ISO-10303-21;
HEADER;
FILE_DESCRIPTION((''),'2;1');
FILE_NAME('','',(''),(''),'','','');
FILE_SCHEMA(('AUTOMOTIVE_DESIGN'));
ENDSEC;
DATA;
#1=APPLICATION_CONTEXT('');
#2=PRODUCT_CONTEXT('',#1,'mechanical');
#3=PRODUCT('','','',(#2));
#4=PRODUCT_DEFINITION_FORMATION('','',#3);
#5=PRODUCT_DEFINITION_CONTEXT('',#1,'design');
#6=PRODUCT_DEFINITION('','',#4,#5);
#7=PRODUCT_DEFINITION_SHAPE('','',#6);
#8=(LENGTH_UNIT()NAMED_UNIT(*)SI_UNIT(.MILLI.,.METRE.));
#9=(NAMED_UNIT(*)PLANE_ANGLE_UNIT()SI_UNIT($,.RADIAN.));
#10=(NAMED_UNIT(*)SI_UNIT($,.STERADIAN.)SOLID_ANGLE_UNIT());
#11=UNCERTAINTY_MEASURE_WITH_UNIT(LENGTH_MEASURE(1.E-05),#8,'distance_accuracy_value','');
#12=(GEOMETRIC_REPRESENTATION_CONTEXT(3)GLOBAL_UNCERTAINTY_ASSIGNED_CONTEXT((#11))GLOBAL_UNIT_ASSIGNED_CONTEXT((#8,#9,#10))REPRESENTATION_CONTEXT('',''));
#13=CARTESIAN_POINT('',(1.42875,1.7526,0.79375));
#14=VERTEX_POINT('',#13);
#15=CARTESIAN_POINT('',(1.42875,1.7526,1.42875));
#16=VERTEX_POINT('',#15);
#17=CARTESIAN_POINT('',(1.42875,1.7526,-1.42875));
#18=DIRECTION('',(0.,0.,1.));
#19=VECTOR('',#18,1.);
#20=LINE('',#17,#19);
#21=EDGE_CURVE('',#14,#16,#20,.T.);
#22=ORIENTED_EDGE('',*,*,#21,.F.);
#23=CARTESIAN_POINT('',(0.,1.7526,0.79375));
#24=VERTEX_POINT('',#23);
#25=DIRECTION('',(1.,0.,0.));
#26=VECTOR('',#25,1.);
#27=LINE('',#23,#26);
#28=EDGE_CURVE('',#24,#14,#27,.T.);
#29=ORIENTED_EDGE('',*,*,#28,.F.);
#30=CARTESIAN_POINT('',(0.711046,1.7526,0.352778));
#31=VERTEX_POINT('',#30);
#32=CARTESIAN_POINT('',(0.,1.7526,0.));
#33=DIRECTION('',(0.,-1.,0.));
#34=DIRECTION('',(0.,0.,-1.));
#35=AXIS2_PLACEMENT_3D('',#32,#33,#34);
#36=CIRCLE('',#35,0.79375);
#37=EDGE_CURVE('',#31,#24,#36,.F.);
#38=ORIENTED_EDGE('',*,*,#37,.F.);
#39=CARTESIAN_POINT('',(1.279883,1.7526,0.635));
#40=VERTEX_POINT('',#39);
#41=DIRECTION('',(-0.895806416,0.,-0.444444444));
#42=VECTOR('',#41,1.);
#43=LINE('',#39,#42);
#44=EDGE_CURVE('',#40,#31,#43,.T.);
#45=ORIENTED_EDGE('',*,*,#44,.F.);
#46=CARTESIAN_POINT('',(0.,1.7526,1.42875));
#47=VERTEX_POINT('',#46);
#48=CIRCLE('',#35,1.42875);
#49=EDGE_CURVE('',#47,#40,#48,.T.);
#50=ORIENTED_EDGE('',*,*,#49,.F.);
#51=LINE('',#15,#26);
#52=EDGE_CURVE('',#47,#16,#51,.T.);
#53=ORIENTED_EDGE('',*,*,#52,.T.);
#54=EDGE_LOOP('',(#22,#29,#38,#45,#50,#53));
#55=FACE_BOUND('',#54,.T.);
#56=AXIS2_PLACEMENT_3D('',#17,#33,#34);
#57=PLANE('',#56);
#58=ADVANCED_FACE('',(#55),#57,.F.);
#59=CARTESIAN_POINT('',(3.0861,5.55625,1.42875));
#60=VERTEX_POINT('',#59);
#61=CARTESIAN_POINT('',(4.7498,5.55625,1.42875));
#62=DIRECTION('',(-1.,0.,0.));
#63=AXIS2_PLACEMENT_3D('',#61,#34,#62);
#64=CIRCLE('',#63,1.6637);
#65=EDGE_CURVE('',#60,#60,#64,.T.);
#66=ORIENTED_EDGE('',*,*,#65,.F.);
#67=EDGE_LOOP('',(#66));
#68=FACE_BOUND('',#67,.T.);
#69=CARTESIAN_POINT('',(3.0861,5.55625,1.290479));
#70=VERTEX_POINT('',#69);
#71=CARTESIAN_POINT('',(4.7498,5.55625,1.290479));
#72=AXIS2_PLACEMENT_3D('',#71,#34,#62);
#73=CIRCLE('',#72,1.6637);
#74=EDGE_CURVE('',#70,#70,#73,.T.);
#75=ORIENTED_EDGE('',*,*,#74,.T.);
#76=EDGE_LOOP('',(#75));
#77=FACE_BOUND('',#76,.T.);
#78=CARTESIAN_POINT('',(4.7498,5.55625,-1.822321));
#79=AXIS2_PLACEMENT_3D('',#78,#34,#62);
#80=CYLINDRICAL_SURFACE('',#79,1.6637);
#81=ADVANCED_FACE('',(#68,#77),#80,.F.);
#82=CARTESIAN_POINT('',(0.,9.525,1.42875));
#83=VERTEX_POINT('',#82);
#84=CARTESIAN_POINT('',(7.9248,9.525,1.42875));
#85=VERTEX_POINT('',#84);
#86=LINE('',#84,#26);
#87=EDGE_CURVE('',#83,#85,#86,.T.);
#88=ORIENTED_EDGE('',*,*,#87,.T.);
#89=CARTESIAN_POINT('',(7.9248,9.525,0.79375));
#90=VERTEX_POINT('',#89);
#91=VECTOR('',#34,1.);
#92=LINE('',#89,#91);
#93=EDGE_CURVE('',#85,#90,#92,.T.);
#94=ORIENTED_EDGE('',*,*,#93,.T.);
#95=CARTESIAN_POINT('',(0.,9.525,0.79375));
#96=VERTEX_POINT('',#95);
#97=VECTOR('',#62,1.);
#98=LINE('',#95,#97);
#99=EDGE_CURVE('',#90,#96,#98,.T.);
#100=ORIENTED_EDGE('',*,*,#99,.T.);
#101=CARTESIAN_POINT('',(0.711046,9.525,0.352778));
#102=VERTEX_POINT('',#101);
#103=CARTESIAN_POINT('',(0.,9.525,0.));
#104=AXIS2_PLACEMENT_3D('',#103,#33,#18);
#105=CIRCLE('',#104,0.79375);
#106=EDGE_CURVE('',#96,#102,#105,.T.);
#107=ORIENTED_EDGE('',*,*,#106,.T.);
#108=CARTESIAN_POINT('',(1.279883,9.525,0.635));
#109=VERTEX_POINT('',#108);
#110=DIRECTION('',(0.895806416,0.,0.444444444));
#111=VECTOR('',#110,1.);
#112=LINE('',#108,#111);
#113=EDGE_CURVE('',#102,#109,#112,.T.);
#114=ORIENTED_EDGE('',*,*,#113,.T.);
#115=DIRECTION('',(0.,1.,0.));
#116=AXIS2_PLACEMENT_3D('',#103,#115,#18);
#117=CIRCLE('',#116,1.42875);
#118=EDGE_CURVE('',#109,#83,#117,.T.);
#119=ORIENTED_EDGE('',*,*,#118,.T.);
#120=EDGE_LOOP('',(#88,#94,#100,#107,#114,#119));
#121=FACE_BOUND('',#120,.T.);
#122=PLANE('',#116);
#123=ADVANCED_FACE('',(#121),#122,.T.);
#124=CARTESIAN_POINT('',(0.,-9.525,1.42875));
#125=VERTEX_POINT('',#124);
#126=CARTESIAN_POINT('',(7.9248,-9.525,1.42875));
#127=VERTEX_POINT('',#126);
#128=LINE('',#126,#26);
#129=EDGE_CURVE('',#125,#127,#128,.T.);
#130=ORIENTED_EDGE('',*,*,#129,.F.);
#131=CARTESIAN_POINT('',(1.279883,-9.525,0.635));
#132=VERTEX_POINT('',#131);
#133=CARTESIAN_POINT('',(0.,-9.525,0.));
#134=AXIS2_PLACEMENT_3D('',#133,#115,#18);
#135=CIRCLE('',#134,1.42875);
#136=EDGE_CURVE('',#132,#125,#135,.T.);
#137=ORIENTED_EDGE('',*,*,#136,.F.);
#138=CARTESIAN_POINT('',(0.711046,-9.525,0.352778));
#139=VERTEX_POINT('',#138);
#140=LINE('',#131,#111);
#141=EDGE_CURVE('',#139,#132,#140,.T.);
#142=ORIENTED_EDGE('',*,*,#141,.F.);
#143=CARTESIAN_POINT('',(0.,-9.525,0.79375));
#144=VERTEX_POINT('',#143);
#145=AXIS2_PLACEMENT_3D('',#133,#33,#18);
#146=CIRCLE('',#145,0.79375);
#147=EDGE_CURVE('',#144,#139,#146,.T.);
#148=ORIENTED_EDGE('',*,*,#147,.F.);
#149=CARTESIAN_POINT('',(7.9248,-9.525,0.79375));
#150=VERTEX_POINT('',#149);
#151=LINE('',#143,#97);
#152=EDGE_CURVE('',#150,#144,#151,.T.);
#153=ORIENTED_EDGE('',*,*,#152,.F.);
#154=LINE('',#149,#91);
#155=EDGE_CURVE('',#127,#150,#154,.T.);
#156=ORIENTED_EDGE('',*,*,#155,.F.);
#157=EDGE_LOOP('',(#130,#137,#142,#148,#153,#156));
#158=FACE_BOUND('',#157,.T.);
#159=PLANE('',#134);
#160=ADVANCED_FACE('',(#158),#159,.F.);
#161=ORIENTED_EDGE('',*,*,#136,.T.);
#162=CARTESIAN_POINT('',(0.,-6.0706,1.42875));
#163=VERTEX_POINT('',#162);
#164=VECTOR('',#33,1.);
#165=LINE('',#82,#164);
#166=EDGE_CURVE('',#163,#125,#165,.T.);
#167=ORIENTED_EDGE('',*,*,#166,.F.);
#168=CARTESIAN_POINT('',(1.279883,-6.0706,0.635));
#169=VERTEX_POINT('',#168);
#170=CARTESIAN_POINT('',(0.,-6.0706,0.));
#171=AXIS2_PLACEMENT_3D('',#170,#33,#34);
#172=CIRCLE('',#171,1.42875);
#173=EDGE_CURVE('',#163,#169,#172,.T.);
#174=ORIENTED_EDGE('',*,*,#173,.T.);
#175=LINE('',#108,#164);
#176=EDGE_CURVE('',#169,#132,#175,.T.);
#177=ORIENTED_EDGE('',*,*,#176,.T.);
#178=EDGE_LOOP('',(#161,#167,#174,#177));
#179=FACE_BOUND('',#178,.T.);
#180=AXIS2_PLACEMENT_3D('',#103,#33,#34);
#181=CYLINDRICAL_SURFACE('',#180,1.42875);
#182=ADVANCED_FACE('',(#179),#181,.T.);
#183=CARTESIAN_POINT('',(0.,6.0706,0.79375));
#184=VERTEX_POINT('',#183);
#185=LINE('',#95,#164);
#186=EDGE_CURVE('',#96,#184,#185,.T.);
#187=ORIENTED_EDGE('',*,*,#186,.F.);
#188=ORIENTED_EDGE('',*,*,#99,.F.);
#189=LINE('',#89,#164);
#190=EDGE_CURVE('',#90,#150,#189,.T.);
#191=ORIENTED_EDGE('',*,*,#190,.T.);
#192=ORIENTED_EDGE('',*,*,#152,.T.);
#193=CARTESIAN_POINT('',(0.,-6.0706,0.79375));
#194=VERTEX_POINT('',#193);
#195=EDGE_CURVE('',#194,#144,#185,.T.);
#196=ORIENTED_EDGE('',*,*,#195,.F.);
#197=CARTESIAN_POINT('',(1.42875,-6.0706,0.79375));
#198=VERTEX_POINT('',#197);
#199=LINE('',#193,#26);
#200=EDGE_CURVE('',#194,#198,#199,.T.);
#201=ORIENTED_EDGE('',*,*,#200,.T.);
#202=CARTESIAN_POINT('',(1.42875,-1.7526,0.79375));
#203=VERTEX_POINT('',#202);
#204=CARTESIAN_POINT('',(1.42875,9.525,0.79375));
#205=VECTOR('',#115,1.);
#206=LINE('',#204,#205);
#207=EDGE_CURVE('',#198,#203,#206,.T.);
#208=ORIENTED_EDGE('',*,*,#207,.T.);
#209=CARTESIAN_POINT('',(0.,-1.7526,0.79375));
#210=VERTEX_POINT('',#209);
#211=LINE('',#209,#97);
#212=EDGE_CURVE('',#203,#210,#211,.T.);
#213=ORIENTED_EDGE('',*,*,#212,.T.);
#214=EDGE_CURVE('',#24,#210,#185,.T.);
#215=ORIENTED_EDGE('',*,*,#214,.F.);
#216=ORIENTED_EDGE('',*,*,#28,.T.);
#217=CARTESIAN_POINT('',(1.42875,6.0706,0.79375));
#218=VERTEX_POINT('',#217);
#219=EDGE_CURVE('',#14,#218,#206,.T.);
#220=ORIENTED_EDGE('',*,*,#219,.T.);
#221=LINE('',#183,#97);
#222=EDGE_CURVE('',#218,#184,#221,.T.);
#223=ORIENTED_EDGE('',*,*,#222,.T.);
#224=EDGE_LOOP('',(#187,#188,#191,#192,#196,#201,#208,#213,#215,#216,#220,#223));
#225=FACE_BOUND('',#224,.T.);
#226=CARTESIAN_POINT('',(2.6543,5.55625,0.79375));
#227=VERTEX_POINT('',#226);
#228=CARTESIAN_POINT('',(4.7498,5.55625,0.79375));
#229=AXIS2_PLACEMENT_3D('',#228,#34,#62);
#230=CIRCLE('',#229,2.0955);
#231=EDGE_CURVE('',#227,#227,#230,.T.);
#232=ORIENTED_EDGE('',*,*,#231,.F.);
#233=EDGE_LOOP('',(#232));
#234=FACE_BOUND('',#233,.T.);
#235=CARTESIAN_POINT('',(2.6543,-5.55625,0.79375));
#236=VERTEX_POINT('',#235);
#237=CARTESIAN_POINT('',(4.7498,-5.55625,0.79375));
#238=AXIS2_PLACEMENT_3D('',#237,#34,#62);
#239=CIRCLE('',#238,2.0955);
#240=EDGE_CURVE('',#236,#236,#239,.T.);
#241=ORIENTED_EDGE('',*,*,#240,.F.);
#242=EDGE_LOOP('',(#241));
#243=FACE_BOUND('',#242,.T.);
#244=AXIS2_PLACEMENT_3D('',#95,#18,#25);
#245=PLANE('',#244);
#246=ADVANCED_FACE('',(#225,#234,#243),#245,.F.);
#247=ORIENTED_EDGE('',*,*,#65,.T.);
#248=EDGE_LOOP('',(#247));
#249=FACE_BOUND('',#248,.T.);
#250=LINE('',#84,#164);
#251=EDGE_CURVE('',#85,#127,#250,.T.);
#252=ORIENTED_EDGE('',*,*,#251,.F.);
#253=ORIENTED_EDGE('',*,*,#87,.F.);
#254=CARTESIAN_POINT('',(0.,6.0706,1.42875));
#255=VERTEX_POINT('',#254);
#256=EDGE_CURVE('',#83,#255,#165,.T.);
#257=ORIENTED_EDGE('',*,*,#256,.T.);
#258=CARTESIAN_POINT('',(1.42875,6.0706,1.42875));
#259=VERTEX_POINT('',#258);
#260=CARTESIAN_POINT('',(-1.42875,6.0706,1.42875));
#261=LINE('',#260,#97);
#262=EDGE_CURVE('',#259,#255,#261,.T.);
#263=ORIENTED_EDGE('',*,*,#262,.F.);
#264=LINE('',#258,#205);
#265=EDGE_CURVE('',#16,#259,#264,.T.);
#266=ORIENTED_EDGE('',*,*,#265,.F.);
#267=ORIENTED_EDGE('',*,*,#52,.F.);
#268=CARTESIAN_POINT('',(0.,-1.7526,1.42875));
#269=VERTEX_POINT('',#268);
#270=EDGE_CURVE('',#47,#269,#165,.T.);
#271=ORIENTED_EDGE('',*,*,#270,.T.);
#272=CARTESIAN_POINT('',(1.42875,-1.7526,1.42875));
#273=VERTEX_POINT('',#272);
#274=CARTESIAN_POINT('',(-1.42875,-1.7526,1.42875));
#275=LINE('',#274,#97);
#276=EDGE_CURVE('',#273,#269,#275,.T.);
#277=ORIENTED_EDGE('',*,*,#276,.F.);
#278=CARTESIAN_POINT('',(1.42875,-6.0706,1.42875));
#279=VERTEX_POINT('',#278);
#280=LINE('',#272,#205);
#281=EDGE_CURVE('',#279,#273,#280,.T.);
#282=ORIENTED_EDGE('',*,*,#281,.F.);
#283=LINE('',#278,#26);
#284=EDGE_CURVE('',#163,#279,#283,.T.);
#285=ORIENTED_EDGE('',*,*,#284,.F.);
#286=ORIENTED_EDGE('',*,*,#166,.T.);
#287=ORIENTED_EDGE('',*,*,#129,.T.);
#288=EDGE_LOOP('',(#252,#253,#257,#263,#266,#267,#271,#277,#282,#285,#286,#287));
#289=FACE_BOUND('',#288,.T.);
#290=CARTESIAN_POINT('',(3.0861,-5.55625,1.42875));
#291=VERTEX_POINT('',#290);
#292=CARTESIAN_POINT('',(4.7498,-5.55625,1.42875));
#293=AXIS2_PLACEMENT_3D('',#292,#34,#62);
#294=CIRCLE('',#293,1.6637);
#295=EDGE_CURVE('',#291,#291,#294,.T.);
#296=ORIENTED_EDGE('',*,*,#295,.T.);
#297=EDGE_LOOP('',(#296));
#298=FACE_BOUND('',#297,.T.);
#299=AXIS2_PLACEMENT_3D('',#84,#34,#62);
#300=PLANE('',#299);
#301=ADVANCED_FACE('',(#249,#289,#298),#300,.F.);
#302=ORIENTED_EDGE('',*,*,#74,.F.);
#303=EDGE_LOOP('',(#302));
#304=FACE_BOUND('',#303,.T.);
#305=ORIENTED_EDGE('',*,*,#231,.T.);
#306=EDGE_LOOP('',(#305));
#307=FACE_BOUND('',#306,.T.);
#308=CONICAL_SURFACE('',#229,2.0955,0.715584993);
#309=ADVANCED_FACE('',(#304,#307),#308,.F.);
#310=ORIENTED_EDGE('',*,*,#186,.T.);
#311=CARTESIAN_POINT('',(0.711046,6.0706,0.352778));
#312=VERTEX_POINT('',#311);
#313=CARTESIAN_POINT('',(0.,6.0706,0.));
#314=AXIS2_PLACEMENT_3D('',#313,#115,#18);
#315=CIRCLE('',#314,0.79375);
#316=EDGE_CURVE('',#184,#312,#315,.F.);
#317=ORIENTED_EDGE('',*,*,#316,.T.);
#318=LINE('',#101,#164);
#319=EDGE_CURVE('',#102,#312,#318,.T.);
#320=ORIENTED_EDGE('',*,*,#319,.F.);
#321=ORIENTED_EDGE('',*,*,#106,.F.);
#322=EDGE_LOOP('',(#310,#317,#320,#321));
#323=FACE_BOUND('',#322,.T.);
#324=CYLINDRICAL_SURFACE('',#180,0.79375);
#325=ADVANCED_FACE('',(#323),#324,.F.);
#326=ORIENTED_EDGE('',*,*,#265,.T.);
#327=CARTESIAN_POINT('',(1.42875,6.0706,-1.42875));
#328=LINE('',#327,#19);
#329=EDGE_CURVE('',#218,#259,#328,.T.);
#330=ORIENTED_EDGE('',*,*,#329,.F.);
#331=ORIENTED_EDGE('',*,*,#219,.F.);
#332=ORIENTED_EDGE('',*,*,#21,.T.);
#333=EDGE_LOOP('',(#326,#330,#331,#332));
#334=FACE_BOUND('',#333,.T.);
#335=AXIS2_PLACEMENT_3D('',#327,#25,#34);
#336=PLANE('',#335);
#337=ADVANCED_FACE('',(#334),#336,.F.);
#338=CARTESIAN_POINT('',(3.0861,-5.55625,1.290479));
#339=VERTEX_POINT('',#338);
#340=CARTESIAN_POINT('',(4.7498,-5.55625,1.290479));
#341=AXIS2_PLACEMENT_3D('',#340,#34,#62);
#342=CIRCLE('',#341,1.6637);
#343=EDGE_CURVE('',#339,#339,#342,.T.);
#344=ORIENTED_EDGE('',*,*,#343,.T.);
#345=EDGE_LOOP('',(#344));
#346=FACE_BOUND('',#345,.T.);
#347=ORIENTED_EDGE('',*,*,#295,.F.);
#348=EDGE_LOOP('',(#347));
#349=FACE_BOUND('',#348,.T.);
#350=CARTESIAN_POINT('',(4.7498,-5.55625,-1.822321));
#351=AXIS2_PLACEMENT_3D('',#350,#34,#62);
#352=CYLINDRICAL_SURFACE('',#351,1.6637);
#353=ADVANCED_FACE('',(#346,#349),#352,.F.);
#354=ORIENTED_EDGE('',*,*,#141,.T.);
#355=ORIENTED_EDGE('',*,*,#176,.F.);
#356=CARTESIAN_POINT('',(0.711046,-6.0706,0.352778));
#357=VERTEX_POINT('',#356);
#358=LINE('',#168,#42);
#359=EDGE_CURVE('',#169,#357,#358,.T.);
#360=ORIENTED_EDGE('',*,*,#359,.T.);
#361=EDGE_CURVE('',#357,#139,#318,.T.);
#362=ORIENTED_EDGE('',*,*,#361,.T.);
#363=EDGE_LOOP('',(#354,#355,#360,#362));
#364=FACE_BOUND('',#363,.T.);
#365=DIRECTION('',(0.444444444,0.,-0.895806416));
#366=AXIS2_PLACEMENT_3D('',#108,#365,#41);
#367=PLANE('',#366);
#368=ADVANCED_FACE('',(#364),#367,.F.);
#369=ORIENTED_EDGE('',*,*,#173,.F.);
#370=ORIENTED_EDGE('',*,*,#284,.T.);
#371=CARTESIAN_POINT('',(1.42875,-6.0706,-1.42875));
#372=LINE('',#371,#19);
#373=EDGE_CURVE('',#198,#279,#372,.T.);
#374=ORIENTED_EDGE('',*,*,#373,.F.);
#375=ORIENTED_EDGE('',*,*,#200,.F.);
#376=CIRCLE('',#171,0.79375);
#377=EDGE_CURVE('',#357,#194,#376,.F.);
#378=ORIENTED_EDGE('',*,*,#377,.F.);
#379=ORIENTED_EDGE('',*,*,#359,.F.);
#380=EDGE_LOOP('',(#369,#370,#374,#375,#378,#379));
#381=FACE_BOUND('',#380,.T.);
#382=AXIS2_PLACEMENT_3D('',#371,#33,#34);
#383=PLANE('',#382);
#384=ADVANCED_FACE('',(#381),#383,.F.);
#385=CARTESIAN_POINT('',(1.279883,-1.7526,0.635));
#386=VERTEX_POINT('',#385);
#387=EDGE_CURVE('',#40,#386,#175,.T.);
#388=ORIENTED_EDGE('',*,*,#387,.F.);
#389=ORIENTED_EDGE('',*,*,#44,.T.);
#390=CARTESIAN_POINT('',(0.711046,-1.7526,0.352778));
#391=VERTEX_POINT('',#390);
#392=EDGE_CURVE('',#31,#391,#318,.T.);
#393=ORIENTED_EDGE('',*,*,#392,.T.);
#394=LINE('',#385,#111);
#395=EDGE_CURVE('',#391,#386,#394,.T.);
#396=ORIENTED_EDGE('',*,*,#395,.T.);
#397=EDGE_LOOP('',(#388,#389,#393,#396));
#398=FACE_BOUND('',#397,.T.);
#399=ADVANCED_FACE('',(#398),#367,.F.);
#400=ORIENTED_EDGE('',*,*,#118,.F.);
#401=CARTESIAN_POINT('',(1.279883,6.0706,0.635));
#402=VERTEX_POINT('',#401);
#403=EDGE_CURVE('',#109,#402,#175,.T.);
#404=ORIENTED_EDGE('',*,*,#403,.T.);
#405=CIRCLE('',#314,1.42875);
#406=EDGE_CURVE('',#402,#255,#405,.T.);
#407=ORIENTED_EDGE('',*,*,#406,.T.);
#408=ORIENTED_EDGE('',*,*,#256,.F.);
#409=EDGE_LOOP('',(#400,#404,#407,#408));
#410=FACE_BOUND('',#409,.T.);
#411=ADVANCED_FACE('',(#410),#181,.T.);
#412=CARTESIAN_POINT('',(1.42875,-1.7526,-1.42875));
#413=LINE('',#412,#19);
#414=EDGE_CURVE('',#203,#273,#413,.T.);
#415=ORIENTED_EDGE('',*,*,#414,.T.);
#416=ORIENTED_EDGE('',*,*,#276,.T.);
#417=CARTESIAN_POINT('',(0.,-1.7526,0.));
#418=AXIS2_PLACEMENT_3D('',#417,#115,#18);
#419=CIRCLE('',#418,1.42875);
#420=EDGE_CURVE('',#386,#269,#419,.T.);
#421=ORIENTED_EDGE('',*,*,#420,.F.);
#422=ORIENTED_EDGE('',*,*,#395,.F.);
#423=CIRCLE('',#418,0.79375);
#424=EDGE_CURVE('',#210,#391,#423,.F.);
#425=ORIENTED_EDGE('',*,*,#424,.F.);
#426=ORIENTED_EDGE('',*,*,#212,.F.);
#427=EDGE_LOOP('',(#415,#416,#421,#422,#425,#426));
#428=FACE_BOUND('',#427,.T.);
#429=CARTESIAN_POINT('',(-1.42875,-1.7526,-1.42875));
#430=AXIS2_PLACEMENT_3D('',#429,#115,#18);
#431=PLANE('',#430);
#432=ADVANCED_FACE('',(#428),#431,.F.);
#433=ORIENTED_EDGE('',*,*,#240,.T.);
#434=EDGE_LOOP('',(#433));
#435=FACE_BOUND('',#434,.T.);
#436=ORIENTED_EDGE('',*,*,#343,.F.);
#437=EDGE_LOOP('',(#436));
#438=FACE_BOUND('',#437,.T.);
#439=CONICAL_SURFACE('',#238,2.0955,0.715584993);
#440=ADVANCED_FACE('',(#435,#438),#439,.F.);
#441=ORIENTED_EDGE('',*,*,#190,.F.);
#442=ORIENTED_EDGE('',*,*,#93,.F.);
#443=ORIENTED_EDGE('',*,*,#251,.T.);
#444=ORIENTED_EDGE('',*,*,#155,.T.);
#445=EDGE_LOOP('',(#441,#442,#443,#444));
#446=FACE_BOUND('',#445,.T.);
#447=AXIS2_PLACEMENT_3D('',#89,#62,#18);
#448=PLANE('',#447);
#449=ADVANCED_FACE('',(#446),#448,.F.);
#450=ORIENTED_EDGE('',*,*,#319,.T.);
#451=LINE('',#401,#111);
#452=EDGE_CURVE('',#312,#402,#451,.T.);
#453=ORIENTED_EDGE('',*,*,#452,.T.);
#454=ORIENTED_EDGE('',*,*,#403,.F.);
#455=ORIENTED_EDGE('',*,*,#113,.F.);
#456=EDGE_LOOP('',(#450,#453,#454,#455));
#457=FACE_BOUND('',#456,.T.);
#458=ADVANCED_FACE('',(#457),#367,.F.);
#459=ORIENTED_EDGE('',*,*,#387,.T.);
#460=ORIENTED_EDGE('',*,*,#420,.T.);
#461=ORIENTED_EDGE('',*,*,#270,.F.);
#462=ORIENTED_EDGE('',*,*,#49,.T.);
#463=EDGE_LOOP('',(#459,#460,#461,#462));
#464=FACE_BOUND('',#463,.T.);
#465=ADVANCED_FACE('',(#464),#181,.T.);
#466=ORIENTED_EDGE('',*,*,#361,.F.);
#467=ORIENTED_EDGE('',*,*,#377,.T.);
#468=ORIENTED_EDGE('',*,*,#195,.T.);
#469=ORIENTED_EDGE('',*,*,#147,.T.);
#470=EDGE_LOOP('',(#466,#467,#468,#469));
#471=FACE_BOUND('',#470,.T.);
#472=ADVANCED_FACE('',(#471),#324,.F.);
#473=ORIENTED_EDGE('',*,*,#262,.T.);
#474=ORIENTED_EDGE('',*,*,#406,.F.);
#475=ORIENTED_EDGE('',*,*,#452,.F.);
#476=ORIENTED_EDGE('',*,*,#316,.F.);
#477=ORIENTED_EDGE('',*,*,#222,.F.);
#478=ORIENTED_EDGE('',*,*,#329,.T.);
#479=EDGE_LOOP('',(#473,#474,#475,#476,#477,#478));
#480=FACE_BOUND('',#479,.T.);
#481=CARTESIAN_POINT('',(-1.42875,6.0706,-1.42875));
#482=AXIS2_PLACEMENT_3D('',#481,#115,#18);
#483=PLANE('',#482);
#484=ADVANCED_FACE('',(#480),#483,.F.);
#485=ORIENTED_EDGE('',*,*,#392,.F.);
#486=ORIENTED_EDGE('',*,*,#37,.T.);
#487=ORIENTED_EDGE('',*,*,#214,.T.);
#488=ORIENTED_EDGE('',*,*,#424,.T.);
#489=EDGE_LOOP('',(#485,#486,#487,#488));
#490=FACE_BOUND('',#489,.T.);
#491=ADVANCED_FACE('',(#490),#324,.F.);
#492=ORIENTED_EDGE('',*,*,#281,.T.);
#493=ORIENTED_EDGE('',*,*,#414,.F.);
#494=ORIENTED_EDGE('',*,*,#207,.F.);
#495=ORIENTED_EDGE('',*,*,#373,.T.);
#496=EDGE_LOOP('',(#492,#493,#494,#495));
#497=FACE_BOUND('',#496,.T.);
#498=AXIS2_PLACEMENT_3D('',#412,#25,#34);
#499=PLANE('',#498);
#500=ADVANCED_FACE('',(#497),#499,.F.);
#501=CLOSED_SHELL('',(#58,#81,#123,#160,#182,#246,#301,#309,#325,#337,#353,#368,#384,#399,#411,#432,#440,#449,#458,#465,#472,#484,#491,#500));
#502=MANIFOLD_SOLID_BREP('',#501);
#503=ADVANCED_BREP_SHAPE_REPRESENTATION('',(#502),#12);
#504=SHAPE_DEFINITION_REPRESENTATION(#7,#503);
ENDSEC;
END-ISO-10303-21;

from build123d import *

# Parameters (mm, degrees)
EXTRUDE1_DEPTH          = 9.525
LPATTERN2_COUNT         = 2
LPATTERN2_PITCH         = 11.1125
CUT_EXTRUDE1_DEPTH      = 13.472746554
CUT_EXTRUDE1_DEPTH_BACK = 13.472746554
SKETCH4_W               = 2.8575
SKETCH4_H               = 4.318


with BuildPart() as part:
    # Sketch1 → Extrude1 (new, symmetric)
    with BuildSketch(Plane(origin=(0, 0, 0), x_dir=(1, 0, 0), z_dir=(0, 1, 0))):
        with BuildLine():
            Line((0, -0.79375), (7.9248, -0.79375))
            Line((7.9248, -0.79375), (7.9248, -1.42875))
            Line((7.9248, -1.42875), (0, -1.42875))
            ThreePointArc((0, -1.42875), (-0.753017368, 1.214204022), (1.279883418, -0.635))
            Line((1.279883418, -0.635), (0.711046343, -0.352777778))
            ThreePointArc((0.711046343, -0.352777778), (-0.418342982, 0.67455779), (0, -0.79375))
        make_face()
    extrude(amount=EXTRUDE1_DEPTH, both=True)

    # Sketch7 → Cut-Revolve1 (revolve, cut)
    with BuildSketch(Plane(origin=(4.7498, 0, 0), x_dir=(0, 0, -1), z_dir=(1, 0, 0)), mode=Mode.PRIVATE) as cut_revolve1_sk:
        Polygon((-0.79375, 5.55625), (-0.79375, 7.65175), (-1.290479078, 7.21995), (-1.42875, 7.21995), (-1.42875, 5.55625), align=None)
    cut_revolve1 = revolve(cut_revolve1_sk.sketch.rotate(Axis((4.7498, 5.55625, -1.822321443), (0, 0, 1)), 90), axis=Axis((4.7498, 5.55625, -1.822321443), (0, 0, 1)), mode=Mode.SUBTRACT)

    # LPattern2: Cut-Revolve1 ×2
    with Locations(*[(0, -i * LPATTERN2_PITCH, 0) for i in range(1, LPATTERN2_COUNT)]):
        add(cut_revolve1, mode=Mode.SUBTRACT)

    # Sketch4 → Cut-Extrude1 (cut, two sides: drawn at the far end of the back side and taken through both)
    with BuildSketch(Plane.XY.offset(-CUT_EXTRUDE1_DEPTH_BACK)):
        with Locations((0, 3.9116)):
            Rectangle(SKETCH4_W, SKETCH4_H)
        with Locations((0, -3.9116)):
            Rectangle(SKETCH4_W, SKETCH4_H)
    extrude(amount=CUT_EXTRUDE1_DEPTH + CUT_EXTRUDE1_DEPTH_BACK, mode=Mode.SUBTRACT)


solid = part.part
